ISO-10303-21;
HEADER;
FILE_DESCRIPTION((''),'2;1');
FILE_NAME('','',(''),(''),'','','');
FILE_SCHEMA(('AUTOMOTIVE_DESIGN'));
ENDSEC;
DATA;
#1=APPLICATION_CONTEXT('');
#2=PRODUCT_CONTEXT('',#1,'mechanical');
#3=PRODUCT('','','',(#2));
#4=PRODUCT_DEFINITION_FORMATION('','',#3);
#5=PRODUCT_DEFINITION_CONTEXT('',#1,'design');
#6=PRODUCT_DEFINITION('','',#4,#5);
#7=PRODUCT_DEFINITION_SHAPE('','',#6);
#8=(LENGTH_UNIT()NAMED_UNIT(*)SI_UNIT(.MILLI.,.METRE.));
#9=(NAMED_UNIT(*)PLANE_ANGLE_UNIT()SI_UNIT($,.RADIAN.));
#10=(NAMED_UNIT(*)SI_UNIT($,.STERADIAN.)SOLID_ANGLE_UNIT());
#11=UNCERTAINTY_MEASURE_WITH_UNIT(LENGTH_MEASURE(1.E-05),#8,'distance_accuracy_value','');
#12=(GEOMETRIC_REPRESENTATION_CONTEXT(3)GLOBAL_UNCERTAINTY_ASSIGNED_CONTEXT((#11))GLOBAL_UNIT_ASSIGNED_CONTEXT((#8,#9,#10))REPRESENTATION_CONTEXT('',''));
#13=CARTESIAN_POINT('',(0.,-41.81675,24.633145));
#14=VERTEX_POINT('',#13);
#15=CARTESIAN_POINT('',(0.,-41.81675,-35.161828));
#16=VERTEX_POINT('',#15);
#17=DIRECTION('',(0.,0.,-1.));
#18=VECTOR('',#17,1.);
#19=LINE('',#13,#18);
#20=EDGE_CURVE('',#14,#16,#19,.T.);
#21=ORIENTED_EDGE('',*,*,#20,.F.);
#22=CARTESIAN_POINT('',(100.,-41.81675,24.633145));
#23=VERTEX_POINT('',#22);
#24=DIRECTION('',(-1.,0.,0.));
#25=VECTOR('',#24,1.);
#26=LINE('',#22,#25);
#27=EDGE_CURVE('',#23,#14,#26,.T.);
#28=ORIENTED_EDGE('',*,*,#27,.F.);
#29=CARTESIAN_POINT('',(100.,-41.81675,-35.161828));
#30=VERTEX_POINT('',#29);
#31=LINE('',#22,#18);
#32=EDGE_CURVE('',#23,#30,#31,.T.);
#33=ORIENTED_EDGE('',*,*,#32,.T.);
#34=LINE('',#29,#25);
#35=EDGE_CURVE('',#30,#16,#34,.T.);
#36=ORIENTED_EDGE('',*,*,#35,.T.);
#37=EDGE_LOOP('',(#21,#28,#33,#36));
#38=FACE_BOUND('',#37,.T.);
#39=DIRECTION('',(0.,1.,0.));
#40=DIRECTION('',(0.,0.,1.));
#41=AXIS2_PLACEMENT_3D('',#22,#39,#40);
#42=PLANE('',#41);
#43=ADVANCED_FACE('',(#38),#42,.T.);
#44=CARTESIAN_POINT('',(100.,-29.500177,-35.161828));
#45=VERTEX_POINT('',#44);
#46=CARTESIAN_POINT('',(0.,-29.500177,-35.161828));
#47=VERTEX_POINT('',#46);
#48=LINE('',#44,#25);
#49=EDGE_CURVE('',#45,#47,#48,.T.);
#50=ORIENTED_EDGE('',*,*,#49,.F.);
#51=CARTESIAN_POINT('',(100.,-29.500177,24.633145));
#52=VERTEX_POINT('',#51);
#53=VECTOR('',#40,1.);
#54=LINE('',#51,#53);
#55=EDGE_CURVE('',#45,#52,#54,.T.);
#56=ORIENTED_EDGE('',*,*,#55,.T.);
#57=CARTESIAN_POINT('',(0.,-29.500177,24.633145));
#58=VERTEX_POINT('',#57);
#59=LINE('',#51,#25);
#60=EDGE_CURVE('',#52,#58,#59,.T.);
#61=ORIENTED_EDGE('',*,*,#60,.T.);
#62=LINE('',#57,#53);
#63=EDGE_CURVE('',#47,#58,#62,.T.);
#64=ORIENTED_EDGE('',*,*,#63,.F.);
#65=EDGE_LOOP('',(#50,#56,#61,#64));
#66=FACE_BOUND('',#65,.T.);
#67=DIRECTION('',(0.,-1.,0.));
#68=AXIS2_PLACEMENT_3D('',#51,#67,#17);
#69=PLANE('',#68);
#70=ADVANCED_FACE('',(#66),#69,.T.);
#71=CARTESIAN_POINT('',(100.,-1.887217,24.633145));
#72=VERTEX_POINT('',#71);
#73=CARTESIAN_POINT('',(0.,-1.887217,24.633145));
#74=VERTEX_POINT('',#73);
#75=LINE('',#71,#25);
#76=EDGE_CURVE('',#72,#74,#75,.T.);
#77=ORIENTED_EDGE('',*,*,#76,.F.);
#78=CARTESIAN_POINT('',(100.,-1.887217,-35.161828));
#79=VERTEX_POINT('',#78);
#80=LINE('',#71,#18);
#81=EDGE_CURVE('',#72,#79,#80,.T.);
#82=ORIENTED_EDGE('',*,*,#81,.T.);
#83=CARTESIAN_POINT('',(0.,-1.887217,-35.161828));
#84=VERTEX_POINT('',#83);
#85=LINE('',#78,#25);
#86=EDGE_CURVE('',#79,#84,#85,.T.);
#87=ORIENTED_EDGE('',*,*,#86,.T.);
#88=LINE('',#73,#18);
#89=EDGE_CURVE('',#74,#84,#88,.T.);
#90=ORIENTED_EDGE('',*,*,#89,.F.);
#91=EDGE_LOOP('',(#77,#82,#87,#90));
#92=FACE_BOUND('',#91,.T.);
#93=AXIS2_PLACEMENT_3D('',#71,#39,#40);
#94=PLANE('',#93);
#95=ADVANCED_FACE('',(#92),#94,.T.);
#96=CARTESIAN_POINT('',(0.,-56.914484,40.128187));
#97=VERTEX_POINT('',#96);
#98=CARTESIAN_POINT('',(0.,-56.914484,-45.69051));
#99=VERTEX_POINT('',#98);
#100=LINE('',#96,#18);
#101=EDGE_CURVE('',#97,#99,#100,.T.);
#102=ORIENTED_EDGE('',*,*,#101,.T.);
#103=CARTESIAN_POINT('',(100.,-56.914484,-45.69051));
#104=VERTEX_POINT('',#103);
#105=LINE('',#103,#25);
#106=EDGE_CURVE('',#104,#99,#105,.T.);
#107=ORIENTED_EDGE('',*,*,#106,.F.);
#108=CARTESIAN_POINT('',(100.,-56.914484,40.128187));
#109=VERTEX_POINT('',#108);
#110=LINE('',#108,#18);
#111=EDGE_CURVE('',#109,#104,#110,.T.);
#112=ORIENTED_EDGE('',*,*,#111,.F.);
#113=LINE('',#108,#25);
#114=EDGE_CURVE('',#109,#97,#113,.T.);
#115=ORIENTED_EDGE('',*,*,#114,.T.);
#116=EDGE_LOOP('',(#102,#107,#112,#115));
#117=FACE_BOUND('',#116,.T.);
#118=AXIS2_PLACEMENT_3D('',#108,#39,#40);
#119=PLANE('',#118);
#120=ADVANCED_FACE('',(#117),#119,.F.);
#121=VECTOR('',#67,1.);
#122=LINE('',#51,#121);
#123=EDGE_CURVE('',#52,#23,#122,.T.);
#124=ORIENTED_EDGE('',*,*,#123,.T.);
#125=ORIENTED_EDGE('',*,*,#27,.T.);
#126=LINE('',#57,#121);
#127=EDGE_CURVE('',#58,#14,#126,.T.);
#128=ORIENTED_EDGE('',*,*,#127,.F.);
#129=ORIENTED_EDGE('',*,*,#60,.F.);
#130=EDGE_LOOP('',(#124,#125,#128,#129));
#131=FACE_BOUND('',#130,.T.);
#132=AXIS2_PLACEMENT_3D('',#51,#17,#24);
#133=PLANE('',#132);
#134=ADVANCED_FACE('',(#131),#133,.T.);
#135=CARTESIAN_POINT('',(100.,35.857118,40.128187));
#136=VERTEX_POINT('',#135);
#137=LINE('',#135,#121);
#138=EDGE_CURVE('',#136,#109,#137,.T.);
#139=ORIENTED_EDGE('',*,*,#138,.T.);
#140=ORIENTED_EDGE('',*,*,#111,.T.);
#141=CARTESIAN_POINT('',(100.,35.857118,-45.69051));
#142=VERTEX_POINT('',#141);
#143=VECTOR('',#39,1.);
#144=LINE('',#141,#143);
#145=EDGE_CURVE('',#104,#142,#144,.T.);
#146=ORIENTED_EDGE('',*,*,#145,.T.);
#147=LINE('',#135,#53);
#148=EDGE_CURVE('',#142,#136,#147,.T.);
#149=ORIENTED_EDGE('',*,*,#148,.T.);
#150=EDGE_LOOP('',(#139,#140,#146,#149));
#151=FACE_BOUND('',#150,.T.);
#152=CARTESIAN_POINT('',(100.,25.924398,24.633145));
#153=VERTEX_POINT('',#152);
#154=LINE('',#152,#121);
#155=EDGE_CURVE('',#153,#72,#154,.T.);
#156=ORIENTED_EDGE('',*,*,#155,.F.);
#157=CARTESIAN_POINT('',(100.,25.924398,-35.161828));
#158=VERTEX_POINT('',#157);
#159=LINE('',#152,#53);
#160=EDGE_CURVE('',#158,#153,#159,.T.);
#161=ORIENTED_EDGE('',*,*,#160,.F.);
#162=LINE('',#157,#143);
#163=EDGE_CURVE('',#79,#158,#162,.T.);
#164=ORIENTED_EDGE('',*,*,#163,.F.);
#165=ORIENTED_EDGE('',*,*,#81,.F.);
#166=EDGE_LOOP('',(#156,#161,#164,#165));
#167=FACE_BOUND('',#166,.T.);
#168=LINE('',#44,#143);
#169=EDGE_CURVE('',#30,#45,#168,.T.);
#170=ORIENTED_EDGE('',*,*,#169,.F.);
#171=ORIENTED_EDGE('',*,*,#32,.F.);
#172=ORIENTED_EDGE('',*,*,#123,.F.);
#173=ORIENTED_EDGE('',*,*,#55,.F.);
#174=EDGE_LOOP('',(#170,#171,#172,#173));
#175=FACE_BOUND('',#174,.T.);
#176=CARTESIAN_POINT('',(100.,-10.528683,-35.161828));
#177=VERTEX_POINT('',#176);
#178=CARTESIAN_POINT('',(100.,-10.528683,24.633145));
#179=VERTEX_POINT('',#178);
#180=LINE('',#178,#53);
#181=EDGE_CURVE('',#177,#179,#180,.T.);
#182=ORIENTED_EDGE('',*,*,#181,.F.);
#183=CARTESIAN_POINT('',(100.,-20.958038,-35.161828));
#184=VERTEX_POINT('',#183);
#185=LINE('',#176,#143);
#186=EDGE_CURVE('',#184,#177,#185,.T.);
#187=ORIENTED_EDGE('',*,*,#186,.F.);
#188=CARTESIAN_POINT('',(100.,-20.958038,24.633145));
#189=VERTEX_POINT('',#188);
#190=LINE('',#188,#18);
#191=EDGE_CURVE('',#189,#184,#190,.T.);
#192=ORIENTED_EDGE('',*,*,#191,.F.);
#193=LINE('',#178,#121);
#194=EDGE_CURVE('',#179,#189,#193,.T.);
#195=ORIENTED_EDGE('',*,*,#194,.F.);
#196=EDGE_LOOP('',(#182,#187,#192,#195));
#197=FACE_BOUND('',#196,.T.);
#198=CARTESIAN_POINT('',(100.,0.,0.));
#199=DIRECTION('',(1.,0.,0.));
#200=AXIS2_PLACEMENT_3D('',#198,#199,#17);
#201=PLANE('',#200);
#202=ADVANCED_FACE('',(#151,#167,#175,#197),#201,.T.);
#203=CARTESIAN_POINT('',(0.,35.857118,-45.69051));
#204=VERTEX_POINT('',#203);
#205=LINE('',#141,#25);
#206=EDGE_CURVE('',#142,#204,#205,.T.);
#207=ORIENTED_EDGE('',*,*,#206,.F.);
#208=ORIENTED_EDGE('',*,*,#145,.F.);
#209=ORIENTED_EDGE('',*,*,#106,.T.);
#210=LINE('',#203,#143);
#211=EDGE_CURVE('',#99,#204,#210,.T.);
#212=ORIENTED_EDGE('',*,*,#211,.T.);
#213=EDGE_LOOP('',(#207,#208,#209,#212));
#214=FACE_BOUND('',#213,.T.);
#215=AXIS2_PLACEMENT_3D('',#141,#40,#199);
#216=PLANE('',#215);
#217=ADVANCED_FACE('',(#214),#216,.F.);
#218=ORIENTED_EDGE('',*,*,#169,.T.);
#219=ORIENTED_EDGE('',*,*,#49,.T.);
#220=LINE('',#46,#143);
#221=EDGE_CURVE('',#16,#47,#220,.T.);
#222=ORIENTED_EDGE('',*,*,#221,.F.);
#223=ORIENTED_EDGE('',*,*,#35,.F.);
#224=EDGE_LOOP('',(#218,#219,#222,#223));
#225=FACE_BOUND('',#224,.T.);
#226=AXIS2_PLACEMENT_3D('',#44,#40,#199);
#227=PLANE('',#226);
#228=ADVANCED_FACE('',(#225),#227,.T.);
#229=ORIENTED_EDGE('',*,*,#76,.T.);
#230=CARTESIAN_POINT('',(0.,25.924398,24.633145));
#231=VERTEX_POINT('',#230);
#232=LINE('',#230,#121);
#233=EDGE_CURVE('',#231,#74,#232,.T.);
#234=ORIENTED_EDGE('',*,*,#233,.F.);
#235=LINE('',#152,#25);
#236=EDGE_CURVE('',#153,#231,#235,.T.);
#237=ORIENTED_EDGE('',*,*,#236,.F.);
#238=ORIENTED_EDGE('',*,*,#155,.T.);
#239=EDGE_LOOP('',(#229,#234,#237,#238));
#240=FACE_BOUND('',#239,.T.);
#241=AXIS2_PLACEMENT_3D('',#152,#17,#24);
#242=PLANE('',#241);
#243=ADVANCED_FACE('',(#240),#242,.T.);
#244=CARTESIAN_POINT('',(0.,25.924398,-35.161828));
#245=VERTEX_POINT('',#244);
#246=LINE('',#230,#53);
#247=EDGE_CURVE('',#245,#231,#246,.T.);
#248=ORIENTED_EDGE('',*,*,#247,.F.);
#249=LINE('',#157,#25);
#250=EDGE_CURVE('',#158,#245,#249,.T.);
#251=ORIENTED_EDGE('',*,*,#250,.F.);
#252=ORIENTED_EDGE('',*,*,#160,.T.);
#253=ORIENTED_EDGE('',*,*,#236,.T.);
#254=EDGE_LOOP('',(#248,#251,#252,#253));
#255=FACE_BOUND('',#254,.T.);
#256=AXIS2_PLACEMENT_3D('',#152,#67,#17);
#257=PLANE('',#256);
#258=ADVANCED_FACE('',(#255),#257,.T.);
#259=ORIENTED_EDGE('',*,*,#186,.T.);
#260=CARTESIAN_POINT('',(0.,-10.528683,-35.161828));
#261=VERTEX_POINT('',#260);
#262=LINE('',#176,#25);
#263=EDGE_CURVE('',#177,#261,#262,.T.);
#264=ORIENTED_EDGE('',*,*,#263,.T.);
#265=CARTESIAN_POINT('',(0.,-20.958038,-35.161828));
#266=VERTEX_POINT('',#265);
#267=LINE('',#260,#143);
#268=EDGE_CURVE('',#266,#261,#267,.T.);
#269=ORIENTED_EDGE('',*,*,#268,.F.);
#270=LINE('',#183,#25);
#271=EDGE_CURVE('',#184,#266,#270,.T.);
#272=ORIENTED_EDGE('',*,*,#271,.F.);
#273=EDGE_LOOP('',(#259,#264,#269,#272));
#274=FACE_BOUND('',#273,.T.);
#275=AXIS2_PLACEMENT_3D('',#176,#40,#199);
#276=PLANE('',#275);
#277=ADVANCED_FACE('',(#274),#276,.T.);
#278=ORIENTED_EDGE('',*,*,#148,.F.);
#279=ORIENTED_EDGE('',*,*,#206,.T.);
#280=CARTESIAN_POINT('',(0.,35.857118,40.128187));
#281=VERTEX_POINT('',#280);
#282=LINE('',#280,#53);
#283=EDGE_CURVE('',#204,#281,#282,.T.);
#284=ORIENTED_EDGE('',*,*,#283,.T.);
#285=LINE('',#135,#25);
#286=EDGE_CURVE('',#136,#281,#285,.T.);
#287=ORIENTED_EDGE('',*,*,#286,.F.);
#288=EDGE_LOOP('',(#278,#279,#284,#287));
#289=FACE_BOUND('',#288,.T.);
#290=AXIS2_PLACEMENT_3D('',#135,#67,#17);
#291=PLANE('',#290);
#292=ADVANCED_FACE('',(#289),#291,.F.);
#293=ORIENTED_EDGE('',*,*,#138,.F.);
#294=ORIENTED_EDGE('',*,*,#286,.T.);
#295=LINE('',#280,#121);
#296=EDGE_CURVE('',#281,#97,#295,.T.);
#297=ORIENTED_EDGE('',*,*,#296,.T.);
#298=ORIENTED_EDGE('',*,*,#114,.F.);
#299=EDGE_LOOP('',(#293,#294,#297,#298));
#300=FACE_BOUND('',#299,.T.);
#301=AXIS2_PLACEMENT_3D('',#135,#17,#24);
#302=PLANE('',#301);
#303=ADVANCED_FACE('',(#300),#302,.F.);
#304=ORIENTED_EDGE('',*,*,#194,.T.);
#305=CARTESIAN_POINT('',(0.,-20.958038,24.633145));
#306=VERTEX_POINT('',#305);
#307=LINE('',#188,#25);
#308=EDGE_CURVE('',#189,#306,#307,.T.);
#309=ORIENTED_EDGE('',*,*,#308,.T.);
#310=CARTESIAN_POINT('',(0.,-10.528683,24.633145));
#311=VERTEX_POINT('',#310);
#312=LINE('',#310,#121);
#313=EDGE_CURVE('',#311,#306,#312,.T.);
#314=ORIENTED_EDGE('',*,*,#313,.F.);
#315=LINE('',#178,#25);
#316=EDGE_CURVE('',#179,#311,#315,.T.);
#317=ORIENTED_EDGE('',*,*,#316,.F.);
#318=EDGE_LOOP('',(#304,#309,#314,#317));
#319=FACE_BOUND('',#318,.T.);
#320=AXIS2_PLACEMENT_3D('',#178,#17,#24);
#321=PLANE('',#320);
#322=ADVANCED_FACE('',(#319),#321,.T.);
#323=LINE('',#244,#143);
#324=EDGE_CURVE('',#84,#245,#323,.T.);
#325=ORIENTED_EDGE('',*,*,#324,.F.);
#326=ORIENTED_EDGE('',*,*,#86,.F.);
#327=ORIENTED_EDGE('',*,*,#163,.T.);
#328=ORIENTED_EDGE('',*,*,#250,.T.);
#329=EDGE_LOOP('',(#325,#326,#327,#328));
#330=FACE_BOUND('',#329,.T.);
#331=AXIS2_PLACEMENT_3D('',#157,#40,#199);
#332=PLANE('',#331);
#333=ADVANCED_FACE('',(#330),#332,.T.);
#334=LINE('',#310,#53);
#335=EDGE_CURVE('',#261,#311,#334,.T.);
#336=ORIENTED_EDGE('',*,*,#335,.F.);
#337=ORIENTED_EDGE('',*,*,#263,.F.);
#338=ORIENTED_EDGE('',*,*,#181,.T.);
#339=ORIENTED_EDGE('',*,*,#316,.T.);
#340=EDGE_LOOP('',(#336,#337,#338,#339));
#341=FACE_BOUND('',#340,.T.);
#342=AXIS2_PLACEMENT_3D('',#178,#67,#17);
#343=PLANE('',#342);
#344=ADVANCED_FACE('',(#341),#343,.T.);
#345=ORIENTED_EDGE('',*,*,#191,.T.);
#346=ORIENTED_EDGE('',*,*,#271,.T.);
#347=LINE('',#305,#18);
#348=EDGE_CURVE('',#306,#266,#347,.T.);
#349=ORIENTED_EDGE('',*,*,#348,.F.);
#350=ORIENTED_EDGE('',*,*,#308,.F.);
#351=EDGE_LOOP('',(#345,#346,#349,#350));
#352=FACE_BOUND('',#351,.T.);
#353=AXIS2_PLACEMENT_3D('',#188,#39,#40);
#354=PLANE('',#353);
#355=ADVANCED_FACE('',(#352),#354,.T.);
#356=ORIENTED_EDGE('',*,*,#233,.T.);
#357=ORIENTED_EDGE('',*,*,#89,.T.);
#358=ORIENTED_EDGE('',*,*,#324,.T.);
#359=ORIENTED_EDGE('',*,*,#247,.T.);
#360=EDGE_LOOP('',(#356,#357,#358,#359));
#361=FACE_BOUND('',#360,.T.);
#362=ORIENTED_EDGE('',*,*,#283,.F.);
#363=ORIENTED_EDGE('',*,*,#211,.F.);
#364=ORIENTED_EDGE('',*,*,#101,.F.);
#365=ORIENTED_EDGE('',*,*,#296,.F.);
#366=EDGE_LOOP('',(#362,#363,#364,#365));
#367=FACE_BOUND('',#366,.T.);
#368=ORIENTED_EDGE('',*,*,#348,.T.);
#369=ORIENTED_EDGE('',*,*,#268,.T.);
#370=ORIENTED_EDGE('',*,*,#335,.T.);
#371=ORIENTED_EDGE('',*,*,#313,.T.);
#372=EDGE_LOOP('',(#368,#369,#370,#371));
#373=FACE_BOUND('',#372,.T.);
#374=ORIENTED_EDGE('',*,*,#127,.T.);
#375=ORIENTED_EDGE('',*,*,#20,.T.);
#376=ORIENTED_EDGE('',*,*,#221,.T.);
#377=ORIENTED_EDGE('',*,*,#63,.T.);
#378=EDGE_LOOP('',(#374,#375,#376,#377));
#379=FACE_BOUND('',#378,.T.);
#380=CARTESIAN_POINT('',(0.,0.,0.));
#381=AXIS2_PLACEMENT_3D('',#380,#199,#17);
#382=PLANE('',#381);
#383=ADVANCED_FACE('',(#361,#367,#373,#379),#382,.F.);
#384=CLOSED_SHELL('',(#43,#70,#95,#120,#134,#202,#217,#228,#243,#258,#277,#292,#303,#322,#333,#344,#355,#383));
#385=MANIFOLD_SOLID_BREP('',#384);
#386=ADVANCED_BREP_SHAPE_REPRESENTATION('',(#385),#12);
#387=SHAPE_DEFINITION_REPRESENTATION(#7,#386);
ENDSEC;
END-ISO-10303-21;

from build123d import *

# Parameters (mm, degrees)
SKETCH1_W           = 85.818697819
SKETCH1_H           = 92.771601577
SKETCH1_W_2         = 59.794972322
SKETCH1_H_2         = 27.811615033
SKETCH1_H_3         = 10.429355638
SKETCH1_H_4         = 12.316572372
BOSS_EXTRUDE1_DEPTH = 100


with BuildPart() as part:
    # Sketch1 → Boss-Extrude1 (new body)
    with BuildSketch(Plane(origin=(0, 0, 0), x_dir=(0, 0, -1), z_dir=(1, 0, 0))):
        with Locations((2.781161504, -10.528682834)):
            Rectangle(SKETCH1_W, SKETCH1_H)
        with Locations((5.264341417, 12.018590783)):
            Rectangle(SKETCH1_W_2, SKETCH1_H_2, mode=Mode.SUBTRACT)
        with Locations((5.264341417, -15.743360653)):
            Rectangle(SKETCH1_W_2, SKETCH1_H_3, mode=Mode.SUBTRACT)
        with Locations((5.264341417, -35.658463561)):
            Rectangle(SKETCH1_W_2, SKETCH1_H_4, mode=Mode.SUBTRACT)
    extrude(amount=BOSS_EXTRUDE1_DEPTH)


solid = part.part
